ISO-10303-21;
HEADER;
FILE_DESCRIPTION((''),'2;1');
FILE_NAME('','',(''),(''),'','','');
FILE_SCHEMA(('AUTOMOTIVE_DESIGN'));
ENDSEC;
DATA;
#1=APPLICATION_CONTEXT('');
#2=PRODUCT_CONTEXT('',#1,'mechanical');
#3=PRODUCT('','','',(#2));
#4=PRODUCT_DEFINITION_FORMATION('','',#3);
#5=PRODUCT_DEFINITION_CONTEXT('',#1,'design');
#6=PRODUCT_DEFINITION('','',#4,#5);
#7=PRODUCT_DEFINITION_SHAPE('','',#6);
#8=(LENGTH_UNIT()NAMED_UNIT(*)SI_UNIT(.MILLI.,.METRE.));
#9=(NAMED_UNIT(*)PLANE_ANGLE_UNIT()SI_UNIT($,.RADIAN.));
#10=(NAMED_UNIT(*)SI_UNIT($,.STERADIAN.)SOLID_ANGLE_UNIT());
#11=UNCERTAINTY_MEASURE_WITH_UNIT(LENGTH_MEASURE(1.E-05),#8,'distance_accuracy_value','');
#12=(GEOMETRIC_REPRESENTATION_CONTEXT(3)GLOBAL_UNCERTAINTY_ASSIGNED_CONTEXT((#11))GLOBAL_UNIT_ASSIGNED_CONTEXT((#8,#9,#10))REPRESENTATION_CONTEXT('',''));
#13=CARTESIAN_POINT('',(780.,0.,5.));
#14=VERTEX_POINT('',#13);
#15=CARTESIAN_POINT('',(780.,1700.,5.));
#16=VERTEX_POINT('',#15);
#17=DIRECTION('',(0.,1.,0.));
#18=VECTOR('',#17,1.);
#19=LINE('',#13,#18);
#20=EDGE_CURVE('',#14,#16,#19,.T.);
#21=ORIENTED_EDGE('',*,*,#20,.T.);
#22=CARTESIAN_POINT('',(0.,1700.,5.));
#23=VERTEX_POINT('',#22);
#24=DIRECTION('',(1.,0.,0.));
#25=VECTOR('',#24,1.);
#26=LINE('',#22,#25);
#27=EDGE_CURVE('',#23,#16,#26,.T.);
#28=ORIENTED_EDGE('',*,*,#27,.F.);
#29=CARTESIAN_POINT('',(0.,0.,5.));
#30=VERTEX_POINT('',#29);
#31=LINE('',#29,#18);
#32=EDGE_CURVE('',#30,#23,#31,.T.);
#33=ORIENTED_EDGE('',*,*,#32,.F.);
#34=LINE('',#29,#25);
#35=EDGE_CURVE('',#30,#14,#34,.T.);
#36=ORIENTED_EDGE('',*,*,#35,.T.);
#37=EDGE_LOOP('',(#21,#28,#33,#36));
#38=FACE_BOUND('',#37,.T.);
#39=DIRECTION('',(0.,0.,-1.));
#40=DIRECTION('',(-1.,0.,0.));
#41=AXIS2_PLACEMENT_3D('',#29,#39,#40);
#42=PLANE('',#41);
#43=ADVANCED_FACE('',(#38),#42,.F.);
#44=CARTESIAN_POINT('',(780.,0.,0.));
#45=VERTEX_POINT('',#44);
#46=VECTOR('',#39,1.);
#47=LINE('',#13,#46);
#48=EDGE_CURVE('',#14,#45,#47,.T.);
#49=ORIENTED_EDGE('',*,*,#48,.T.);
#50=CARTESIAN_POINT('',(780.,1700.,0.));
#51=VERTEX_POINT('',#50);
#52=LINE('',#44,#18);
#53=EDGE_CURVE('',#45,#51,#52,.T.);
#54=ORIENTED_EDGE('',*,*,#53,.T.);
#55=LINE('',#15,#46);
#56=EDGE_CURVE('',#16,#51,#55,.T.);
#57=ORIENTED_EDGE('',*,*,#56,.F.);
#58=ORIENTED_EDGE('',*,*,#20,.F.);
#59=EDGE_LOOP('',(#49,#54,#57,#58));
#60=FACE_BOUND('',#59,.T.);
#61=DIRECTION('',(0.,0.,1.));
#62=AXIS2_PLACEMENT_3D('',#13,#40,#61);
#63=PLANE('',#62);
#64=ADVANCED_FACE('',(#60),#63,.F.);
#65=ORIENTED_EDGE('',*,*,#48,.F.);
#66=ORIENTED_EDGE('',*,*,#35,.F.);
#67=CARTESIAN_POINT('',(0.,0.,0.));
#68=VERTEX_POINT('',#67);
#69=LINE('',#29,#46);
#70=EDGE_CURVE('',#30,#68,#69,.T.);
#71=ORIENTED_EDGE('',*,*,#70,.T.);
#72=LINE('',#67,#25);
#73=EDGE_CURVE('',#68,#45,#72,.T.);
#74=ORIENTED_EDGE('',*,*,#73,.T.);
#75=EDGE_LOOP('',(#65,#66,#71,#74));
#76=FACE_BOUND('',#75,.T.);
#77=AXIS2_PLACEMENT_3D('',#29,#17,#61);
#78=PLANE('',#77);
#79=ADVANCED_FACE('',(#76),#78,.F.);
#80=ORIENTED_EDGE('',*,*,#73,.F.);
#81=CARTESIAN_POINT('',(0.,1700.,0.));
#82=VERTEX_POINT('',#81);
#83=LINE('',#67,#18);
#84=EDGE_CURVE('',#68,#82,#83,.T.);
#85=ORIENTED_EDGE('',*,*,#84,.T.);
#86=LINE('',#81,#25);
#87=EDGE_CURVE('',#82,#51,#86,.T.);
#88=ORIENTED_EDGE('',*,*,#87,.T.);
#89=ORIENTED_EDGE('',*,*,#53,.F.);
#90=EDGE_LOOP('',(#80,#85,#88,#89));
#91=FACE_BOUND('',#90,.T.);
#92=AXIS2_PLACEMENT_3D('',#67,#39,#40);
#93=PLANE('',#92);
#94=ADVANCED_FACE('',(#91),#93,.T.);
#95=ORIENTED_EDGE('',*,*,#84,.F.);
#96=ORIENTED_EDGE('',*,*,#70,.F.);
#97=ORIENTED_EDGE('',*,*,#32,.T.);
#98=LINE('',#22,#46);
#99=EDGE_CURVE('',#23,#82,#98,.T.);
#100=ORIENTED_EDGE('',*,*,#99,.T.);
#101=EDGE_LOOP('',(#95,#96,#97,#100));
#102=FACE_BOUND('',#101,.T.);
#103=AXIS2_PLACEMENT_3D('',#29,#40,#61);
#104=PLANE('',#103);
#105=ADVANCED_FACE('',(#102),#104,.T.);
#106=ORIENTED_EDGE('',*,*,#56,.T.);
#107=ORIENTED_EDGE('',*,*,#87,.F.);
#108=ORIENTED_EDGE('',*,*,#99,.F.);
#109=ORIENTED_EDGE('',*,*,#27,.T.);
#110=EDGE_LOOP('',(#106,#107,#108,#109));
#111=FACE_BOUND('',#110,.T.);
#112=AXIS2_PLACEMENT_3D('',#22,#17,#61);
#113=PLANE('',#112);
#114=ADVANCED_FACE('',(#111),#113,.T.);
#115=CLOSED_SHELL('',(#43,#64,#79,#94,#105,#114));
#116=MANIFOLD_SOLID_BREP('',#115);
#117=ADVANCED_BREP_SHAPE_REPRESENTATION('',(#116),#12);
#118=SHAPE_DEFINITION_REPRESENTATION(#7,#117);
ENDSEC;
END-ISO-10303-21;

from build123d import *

# Parameters (mm, degrees)
SZKIC1_W                    = 780
SZKIC1_H                    = 1700
DODANIE_WYCI_GNI_CIE1_DEPTH = 5


with BuildPart() as part:
    # Szkic1 → Dodanie-wyciągnięcie1 (new body)
    with BuildSketch(Plane.XY):
        with Locations((390, 850)):
            Rectangle(SZKIC1_W, SZKIC1_H)
    extrude(amount=DODANIE_WYCI_GNI_CIE1_DEPTH)


solid = part.part
